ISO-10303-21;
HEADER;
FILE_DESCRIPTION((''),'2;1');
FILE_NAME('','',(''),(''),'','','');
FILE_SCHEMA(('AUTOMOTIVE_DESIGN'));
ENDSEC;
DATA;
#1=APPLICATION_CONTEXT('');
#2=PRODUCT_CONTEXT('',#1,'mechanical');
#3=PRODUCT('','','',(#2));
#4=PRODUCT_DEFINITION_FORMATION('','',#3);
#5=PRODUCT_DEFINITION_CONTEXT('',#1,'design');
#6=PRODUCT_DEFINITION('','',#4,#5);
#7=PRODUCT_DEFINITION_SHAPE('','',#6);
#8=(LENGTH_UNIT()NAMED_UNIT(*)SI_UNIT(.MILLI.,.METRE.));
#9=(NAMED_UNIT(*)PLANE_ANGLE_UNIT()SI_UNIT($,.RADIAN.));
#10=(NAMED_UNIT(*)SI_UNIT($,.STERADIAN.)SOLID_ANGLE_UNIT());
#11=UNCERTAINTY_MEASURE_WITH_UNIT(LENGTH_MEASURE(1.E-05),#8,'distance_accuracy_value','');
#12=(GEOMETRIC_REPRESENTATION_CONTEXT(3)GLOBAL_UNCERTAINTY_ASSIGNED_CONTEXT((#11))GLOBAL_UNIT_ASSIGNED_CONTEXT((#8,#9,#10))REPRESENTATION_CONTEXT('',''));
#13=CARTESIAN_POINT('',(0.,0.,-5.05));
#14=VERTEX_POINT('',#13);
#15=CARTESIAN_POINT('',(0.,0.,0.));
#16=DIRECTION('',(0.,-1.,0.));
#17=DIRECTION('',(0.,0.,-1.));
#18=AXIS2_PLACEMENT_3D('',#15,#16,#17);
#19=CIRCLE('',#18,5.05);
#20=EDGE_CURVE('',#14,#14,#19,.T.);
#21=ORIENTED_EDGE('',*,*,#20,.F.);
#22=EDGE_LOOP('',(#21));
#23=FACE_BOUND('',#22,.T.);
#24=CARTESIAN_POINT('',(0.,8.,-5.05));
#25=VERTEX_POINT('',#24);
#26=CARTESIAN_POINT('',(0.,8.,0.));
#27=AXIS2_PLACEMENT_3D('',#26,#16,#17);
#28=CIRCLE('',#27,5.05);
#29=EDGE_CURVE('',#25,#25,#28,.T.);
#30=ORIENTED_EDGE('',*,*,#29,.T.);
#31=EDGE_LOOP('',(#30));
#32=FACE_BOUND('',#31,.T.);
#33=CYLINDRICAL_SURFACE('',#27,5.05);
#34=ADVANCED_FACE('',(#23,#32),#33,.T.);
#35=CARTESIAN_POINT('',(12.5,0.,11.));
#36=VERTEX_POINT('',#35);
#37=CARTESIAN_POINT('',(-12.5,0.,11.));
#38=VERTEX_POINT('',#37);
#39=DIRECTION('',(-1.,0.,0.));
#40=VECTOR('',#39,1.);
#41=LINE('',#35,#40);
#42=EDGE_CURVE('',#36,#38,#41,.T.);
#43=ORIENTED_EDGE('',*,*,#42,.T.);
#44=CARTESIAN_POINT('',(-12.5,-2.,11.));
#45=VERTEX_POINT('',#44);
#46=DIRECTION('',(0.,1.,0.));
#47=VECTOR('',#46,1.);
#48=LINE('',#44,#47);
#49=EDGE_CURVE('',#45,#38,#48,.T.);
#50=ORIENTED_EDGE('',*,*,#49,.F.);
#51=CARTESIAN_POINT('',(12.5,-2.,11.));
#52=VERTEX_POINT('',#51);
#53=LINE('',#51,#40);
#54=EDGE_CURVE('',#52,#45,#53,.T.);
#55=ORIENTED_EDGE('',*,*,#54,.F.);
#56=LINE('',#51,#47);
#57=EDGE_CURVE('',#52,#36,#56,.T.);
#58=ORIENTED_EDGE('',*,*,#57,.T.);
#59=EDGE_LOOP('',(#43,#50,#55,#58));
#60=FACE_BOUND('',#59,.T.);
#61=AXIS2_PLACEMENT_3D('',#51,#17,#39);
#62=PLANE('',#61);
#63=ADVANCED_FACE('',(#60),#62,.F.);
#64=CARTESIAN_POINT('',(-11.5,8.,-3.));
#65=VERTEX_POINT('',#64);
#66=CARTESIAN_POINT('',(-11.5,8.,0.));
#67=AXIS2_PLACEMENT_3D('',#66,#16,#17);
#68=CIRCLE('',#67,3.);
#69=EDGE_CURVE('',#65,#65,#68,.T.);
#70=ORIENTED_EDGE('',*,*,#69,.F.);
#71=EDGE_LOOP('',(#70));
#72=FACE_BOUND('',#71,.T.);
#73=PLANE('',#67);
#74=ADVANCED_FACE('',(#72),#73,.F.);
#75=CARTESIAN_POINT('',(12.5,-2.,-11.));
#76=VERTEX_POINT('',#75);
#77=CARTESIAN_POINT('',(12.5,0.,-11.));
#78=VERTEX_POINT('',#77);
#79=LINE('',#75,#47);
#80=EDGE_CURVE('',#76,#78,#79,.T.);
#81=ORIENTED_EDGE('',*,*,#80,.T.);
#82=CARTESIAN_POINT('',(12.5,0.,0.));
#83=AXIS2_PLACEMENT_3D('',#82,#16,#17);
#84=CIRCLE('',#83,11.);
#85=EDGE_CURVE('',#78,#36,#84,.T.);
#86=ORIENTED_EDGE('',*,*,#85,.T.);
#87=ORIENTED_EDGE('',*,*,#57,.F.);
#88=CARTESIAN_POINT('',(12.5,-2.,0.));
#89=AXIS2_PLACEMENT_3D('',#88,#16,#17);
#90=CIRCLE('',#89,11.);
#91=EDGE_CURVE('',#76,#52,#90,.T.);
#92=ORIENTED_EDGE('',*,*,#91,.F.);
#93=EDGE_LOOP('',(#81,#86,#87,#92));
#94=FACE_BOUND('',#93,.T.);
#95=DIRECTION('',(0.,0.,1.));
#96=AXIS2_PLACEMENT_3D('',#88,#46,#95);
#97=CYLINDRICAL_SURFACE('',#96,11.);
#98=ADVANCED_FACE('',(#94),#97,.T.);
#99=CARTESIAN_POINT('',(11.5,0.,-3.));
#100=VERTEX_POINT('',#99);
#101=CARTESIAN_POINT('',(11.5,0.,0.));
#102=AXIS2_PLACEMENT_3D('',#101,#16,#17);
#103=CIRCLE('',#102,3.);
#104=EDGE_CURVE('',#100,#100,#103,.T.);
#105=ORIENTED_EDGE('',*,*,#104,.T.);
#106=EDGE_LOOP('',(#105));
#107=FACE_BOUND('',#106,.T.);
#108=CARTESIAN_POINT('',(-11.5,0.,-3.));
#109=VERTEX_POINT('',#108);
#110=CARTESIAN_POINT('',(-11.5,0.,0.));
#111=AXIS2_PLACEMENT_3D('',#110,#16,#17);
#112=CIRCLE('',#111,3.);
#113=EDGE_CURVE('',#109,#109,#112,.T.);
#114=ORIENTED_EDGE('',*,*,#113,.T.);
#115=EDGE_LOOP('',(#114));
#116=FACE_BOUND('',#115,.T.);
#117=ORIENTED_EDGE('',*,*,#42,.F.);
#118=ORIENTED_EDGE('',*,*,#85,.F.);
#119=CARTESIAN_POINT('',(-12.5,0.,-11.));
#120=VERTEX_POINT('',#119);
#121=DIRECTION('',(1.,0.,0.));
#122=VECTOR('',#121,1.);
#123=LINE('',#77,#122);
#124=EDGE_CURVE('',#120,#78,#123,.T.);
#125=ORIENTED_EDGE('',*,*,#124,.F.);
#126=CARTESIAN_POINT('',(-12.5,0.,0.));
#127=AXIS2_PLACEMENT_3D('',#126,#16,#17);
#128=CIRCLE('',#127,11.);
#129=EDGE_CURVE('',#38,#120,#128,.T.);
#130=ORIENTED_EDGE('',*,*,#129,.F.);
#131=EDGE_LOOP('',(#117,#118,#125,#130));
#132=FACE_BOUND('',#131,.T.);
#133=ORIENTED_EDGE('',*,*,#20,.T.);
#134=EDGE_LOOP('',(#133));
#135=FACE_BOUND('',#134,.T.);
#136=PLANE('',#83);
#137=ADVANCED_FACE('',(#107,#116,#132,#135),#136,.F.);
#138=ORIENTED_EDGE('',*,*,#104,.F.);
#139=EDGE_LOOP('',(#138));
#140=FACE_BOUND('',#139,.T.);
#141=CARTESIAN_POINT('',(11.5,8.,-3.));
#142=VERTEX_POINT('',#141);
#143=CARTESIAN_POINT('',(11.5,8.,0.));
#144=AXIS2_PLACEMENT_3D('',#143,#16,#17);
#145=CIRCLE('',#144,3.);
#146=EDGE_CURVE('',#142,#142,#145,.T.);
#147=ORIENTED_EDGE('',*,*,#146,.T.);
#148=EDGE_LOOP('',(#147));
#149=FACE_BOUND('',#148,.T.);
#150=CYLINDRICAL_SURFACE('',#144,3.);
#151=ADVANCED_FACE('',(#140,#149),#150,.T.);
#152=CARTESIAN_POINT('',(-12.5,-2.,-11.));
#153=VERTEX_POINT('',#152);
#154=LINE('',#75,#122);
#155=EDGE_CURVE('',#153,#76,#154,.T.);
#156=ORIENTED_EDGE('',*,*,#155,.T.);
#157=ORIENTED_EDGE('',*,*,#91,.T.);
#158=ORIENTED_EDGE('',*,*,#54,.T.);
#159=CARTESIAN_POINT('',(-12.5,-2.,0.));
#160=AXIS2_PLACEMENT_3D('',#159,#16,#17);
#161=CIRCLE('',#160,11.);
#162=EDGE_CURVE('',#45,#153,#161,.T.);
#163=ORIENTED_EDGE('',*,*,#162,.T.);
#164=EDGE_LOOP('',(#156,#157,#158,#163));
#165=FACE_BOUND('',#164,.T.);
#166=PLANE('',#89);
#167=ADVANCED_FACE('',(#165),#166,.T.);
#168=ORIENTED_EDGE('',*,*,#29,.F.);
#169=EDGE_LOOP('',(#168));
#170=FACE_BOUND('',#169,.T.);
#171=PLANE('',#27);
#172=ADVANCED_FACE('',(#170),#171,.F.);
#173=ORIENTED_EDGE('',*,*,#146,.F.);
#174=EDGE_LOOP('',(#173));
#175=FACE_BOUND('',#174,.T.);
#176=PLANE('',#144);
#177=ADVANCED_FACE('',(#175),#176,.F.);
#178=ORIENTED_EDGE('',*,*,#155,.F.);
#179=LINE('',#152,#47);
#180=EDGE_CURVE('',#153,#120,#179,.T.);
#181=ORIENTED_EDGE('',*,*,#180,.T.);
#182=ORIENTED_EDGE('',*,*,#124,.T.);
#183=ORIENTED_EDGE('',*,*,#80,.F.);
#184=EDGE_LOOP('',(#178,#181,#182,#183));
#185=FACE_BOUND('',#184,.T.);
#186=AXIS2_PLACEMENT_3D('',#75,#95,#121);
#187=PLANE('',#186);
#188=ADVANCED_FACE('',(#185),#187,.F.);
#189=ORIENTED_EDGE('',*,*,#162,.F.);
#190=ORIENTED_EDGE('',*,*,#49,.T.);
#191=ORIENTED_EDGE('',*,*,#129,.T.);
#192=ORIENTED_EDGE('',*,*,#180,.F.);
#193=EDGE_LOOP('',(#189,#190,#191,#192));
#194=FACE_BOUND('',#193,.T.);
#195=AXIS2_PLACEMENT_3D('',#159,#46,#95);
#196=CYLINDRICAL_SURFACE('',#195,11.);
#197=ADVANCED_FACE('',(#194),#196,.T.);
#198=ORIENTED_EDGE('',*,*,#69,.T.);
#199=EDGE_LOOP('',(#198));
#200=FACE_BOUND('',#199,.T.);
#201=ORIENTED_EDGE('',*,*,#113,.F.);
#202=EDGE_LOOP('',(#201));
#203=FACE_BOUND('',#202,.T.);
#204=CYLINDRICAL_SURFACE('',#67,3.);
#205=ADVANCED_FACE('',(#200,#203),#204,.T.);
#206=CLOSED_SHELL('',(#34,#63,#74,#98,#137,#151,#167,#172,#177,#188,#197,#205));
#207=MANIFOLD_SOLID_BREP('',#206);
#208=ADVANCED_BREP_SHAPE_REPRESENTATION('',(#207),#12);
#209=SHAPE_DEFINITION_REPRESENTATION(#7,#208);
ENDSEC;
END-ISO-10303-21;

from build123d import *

# Parameters (mm, degrees)
BOSS_EXTRUDE10_DEPTH = 2
SKETCH14_R           = 3
SKETCH14_R_2         = 5.05
BOSS_EXTRUDE11_DEPTH = 8


with BuildPart() as part:
    # Sketch13 → Boss-Extrude10 (new body)
    with BuildSketch(Plane(origin=(-28.225984218, 0, 0), x_dir=(-1, 0, 0), z_dir=(0, -1, 0))):
        with BuildLine():
            Line((-40.725984218, 11), (-15.725984218, 11))
            ThreePointArc((-15.725984218, 11), (-4.725984218, 0), (-15.725984218, -11))
            Line((-15.725984218, -11), (-40.725984218, -11))
            ThreePointArc((-40.725984218, -11), (-51.725984218, 0), (-40.725984218, 11))
        make_face()
    extrude(amount=BOSS_EXTRUDE10_DEPTH)

    # Sketch14 → Boss-Extrude11 (add)
    with BuildSketch(Plane.XZ):
        with Locations((-11.5, 0)):
            Circle(SKETCH14_R)
        Circle(SKETCH14_R_2)
        with Locations((11.5, 0)):
            Circle(SKETCH14_R)
    extrude(amount=-BOSS_EXTRUDE11_DEPTH)


solid = part.part
